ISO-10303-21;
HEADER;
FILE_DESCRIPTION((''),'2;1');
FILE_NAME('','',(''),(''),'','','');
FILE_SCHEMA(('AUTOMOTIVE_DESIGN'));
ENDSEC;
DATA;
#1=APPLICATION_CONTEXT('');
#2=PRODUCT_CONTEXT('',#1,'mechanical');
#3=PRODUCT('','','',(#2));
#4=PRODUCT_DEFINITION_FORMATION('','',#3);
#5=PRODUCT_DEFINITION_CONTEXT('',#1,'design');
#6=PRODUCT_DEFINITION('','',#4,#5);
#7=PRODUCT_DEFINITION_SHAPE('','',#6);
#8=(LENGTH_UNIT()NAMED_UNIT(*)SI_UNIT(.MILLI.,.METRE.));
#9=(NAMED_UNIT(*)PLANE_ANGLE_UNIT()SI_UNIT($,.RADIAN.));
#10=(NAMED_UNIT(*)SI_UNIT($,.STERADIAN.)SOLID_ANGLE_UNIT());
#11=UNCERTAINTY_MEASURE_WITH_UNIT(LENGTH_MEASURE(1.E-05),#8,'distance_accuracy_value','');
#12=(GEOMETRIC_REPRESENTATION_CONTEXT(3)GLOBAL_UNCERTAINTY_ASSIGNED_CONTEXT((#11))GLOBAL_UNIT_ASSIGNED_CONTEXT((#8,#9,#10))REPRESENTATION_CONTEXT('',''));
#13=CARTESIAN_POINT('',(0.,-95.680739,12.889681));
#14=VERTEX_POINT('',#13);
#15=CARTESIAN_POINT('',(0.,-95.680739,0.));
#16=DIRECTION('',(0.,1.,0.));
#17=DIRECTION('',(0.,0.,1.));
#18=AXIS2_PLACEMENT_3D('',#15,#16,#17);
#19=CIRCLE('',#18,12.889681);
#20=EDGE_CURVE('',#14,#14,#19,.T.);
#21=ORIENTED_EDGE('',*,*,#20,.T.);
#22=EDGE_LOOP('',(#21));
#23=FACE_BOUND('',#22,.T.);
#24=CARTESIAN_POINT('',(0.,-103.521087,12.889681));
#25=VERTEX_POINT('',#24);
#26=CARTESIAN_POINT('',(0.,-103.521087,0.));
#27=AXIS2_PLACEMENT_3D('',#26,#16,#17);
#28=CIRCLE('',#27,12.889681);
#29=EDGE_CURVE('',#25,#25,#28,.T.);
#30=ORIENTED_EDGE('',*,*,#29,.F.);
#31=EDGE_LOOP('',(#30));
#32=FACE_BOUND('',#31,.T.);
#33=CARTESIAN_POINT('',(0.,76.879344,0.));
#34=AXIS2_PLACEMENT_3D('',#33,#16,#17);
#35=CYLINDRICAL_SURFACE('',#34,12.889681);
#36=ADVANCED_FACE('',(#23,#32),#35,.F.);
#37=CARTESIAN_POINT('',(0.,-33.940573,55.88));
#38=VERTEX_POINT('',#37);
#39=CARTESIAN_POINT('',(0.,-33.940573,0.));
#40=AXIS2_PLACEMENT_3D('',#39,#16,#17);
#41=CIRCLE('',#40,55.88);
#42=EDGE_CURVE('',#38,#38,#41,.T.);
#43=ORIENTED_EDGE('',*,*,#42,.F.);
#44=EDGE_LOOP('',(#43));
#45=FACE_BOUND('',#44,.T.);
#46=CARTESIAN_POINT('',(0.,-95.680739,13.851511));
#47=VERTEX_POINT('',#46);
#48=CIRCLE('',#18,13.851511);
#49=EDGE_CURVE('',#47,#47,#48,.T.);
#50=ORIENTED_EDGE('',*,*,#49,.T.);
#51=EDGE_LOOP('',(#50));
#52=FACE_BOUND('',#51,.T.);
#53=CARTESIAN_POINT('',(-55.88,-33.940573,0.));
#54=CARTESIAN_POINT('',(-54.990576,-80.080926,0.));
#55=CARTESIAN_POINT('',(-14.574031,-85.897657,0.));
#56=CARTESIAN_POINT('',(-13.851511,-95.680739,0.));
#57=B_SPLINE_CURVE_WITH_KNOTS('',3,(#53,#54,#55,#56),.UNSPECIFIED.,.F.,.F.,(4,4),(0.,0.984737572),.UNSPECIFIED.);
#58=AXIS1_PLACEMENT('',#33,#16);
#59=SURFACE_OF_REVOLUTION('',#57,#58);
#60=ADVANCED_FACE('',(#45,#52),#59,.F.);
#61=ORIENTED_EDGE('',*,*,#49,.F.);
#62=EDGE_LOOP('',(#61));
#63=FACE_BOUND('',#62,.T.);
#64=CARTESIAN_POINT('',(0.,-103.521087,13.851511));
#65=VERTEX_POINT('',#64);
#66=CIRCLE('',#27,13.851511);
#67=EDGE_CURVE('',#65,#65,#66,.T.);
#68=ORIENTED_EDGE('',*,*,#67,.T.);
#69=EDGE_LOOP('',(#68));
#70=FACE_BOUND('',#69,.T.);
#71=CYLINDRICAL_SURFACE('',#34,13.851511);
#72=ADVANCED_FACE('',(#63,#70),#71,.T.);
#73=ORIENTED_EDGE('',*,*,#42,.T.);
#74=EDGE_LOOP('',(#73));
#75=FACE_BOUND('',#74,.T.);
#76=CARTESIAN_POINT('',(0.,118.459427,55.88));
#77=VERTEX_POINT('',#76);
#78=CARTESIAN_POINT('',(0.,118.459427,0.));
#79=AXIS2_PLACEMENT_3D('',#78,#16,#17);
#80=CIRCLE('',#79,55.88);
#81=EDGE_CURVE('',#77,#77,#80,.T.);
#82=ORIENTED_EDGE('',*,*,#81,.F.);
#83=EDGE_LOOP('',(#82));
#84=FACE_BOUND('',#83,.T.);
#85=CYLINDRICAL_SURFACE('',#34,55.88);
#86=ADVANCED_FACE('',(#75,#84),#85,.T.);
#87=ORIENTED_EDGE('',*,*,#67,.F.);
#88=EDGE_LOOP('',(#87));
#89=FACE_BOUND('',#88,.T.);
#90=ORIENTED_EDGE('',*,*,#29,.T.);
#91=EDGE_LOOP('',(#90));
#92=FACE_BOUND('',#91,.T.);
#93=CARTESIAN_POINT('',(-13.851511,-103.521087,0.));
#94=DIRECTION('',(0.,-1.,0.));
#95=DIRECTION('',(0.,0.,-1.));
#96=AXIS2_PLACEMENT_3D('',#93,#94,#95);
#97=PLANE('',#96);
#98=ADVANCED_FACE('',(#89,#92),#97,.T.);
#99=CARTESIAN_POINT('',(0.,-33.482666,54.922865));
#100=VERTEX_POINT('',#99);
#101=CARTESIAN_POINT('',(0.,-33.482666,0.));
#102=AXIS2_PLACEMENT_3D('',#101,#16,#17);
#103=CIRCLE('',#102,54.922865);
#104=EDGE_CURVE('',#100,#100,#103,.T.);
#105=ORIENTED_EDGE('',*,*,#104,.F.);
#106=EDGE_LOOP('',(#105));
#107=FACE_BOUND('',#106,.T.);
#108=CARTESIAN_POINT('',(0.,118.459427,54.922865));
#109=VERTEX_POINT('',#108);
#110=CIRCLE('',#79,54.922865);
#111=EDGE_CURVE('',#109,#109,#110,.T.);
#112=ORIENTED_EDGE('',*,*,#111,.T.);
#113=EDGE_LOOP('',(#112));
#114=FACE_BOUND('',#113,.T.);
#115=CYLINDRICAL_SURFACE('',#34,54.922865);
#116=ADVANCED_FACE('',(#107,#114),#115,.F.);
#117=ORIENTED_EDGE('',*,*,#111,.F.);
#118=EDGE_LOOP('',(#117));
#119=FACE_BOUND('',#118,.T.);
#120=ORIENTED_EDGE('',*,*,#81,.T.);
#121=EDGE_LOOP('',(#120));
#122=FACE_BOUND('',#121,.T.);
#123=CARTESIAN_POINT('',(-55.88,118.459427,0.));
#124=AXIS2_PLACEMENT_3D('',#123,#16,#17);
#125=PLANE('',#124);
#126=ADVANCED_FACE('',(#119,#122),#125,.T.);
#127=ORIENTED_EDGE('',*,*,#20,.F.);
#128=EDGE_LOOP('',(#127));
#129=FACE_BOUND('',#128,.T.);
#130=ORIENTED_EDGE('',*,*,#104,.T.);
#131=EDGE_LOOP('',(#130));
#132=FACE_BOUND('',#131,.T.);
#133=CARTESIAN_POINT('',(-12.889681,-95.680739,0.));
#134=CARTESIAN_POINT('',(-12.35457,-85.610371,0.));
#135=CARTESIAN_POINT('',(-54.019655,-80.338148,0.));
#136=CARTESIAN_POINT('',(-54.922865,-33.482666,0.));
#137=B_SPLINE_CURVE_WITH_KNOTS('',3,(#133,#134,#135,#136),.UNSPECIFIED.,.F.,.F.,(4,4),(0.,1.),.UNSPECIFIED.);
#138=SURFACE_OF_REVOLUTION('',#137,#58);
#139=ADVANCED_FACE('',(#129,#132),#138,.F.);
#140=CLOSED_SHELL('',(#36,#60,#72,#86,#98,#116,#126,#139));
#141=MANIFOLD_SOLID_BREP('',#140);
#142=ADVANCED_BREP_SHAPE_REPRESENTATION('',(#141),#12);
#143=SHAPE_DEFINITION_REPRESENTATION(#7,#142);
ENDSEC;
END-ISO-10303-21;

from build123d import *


with BuildPart() as part:
    # Sketch1 → Revolve2 (revolve)
    with BuildSketch(Plane.XY, mode=Mode.PRIVATE) as revolve2_sk:
        with BuildLine():
            Line((-55.88, 118.459427374), (-55.88, -33.940572626))
            add(Edge.make_bspline(
                [(-55.88, -33.940572626), (-54.990575769, -80.080925815), (-14.574030728, -85.897657427), (-13.851510687, -95.680738649)],
                knots=[0, 0, 0, 0, 0.984737572, 0.984737572, 0.984737572, 0.984737572], degree=3))
            Line((-13.851510687, -95.680738649), (-13.851510687, -103.52108655))
            Line((-13.851510687, -103.52108655), (-12.889681114, -103.52108655))
            Line((-12.889681114, -103.52108655), (-12.889681114, -95.680738649))
            add(Edge.make_bspline(
                [(-54.922864743, -33.482666024), (-54.019655344, -80.338147614), (-12.354569903, -85.610371161), (-12.889681114, -95.680738649)],
                knots=[0, 0, 0, 0, 1, 1, 1, 1], degree=3))
            Line((-54.922864743, -33.482666024), (-54.922864743, 118.459427374))
            Line((-54.922864743, 118.459427374), (-55.88, 118.459427374))
        make_face()
    revolve(revolve2_sk.sketch.rotate(Axis((0, 76.879343575, 0), (0, -1, 0)), 270), axis=Axis((0, 76.879343575, 0), (0, -1, 0)))


solid = part.part
